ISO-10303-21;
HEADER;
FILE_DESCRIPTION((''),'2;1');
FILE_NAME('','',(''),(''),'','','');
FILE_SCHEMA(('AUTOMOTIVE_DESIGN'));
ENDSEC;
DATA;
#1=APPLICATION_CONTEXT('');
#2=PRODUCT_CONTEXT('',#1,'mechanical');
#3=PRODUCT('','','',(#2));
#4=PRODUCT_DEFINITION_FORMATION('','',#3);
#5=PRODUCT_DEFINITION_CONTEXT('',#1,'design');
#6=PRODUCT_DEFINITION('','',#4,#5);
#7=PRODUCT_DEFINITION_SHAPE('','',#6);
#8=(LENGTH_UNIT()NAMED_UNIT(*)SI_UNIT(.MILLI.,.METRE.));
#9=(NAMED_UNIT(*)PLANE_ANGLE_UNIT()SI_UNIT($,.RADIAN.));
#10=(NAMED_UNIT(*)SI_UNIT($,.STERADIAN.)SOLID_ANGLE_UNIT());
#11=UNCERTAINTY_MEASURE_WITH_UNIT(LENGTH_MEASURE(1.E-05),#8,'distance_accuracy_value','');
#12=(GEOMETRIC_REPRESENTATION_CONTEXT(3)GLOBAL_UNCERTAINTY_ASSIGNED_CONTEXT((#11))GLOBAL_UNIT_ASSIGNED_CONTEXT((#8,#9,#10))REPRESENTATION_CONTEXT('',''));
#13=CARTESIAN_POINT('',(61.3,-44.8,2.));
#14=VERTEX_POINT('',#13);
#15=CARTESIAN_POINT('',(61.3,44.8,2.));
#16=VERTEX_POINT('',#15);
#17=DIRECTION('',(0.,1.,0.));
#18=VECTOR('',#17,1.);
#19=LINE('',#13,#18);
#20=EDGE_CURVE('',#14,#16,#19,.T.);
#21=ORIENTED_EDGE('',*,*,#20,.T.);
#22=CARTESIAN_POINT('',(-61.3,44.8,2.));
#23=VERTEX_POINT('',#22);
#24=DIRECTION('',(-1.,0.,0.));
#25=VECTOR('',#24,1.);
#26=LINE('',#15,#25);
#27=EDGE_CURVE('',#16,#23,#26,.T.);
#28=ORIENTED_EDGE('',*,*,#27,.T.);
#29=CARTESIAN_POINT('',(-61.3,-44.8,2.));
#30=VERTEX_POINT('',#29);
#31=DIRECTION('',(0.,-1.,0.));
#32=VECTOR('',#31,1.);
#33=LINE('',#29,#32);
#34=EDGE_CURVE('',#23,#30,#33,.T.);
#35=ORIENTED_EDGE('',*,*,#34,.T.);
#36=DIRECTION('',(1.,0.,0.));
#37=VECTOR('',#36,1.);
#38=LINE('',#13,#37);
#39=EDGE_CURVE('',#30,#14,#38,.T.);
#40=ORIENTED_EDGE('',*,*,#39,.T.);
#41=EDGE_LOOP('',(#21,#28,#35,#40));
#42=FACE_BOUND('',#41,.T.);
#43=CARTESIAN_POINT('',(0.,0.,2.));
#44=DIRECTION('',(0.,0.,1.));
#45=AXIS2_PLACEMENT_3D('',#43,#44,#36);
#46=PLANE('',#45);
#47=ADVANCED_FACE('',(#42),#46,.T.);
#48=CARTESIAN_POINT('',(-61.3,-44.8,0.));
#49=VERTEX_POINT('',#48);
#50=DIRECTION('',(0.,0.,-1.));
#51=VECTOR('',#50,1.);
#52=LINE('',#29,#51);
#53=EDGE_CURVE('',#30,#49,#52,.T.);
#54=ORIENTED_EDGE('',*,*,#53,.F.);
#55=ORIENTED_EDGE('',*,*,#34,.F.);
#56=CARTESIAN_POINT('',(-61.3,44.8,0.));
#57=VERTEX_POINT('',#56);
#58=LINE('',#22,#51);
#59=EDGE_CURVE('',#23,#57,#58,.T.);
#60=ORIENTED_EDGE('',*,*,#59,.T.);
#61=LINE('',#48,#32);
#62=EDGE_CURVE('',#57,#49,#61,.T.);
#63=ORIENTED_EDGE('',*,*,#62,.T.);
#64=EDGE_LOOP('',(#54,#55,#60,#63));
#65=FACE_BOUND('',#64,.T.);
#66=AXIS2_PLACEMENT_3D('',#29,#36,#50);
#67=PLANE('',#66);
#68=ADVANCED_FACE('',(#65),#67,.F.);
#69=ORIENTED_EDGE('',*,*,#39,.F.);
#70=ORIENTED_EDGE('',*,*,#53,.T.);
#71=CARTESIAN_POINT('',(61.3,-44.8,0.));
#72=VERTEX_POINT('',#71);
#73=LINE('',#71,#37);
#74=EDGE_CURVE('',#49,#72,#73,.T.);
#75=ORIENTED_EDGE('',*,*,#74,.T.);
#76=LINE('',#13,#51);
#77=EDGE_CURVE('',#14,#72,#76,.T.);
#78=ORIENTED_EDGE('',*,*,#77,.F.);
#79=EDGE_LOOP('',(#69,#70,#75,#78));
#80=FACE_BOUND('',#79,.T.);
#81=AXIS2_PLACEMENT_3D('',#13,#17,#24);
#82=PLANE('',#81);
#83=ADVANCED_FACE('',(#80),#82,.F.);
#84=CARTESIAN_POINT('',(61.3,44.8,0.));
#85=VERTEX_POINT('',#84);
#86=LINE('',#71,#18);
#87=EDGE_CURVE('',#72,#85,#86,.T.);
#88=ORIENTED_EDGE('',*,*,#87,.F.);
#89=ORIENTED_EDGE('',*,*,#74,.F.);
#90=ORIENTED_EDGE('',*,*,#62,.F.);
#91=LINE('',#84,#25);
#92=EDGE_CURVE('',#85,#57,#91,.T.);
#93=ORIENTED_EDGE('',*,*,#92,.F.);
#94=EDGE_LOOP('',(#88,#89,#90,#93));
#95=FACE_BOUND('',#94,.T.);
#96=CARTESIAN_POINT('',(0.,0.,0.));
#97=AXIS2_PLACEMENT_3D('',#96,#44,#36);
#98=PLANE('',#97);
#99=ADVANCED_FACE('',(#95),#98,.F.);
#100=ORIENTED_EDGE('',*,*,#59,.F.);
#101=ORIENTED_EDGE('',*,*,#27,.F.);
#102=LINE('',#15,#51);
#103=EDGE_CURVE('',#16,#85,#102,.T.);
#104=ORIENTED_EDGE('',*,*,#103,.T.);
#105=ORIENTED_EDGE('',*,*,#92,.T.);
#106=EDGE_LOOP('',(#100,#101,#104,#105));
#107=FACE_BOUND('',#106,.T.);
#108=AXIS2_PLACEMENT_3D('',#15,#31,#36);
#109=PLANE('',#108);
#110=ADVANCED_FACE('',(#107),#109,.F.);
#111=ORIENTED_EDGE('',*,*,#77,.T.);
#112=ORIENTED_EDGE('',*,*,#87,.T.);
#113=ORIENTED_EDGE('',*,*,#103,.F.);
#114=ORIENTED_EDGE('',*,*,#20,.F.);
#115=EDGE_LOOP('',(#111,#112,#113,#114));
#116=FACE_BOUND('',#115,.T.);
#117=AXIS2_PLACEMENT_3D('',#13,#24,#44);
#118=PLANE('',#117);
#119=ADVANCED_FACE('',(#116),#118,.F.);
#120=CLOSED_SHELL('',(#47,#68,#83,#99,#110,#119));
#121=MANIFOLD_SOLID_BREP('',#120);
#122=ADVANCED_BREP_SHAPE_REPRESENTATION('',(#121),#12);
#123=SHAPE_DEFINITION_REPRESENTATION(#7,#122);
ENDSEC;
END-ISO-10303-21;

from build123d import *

# Parameters (mm, degrees)
SKETCH1_W           = 122.6
SKETCH1_H           = 89.6
BOSS_EXTRUDE1_DEPTH = 2


with BuildPart() as part:
    # Sketch1 → Boss-Extrude1 (new body)
    with BuildSketch(Plane.XY):
        Rectangle(SKETCH1_W, SKETCH1_H)
    extrude(amount=BOSS_EXTRUDE1_DEPTH)


solid = part.part
